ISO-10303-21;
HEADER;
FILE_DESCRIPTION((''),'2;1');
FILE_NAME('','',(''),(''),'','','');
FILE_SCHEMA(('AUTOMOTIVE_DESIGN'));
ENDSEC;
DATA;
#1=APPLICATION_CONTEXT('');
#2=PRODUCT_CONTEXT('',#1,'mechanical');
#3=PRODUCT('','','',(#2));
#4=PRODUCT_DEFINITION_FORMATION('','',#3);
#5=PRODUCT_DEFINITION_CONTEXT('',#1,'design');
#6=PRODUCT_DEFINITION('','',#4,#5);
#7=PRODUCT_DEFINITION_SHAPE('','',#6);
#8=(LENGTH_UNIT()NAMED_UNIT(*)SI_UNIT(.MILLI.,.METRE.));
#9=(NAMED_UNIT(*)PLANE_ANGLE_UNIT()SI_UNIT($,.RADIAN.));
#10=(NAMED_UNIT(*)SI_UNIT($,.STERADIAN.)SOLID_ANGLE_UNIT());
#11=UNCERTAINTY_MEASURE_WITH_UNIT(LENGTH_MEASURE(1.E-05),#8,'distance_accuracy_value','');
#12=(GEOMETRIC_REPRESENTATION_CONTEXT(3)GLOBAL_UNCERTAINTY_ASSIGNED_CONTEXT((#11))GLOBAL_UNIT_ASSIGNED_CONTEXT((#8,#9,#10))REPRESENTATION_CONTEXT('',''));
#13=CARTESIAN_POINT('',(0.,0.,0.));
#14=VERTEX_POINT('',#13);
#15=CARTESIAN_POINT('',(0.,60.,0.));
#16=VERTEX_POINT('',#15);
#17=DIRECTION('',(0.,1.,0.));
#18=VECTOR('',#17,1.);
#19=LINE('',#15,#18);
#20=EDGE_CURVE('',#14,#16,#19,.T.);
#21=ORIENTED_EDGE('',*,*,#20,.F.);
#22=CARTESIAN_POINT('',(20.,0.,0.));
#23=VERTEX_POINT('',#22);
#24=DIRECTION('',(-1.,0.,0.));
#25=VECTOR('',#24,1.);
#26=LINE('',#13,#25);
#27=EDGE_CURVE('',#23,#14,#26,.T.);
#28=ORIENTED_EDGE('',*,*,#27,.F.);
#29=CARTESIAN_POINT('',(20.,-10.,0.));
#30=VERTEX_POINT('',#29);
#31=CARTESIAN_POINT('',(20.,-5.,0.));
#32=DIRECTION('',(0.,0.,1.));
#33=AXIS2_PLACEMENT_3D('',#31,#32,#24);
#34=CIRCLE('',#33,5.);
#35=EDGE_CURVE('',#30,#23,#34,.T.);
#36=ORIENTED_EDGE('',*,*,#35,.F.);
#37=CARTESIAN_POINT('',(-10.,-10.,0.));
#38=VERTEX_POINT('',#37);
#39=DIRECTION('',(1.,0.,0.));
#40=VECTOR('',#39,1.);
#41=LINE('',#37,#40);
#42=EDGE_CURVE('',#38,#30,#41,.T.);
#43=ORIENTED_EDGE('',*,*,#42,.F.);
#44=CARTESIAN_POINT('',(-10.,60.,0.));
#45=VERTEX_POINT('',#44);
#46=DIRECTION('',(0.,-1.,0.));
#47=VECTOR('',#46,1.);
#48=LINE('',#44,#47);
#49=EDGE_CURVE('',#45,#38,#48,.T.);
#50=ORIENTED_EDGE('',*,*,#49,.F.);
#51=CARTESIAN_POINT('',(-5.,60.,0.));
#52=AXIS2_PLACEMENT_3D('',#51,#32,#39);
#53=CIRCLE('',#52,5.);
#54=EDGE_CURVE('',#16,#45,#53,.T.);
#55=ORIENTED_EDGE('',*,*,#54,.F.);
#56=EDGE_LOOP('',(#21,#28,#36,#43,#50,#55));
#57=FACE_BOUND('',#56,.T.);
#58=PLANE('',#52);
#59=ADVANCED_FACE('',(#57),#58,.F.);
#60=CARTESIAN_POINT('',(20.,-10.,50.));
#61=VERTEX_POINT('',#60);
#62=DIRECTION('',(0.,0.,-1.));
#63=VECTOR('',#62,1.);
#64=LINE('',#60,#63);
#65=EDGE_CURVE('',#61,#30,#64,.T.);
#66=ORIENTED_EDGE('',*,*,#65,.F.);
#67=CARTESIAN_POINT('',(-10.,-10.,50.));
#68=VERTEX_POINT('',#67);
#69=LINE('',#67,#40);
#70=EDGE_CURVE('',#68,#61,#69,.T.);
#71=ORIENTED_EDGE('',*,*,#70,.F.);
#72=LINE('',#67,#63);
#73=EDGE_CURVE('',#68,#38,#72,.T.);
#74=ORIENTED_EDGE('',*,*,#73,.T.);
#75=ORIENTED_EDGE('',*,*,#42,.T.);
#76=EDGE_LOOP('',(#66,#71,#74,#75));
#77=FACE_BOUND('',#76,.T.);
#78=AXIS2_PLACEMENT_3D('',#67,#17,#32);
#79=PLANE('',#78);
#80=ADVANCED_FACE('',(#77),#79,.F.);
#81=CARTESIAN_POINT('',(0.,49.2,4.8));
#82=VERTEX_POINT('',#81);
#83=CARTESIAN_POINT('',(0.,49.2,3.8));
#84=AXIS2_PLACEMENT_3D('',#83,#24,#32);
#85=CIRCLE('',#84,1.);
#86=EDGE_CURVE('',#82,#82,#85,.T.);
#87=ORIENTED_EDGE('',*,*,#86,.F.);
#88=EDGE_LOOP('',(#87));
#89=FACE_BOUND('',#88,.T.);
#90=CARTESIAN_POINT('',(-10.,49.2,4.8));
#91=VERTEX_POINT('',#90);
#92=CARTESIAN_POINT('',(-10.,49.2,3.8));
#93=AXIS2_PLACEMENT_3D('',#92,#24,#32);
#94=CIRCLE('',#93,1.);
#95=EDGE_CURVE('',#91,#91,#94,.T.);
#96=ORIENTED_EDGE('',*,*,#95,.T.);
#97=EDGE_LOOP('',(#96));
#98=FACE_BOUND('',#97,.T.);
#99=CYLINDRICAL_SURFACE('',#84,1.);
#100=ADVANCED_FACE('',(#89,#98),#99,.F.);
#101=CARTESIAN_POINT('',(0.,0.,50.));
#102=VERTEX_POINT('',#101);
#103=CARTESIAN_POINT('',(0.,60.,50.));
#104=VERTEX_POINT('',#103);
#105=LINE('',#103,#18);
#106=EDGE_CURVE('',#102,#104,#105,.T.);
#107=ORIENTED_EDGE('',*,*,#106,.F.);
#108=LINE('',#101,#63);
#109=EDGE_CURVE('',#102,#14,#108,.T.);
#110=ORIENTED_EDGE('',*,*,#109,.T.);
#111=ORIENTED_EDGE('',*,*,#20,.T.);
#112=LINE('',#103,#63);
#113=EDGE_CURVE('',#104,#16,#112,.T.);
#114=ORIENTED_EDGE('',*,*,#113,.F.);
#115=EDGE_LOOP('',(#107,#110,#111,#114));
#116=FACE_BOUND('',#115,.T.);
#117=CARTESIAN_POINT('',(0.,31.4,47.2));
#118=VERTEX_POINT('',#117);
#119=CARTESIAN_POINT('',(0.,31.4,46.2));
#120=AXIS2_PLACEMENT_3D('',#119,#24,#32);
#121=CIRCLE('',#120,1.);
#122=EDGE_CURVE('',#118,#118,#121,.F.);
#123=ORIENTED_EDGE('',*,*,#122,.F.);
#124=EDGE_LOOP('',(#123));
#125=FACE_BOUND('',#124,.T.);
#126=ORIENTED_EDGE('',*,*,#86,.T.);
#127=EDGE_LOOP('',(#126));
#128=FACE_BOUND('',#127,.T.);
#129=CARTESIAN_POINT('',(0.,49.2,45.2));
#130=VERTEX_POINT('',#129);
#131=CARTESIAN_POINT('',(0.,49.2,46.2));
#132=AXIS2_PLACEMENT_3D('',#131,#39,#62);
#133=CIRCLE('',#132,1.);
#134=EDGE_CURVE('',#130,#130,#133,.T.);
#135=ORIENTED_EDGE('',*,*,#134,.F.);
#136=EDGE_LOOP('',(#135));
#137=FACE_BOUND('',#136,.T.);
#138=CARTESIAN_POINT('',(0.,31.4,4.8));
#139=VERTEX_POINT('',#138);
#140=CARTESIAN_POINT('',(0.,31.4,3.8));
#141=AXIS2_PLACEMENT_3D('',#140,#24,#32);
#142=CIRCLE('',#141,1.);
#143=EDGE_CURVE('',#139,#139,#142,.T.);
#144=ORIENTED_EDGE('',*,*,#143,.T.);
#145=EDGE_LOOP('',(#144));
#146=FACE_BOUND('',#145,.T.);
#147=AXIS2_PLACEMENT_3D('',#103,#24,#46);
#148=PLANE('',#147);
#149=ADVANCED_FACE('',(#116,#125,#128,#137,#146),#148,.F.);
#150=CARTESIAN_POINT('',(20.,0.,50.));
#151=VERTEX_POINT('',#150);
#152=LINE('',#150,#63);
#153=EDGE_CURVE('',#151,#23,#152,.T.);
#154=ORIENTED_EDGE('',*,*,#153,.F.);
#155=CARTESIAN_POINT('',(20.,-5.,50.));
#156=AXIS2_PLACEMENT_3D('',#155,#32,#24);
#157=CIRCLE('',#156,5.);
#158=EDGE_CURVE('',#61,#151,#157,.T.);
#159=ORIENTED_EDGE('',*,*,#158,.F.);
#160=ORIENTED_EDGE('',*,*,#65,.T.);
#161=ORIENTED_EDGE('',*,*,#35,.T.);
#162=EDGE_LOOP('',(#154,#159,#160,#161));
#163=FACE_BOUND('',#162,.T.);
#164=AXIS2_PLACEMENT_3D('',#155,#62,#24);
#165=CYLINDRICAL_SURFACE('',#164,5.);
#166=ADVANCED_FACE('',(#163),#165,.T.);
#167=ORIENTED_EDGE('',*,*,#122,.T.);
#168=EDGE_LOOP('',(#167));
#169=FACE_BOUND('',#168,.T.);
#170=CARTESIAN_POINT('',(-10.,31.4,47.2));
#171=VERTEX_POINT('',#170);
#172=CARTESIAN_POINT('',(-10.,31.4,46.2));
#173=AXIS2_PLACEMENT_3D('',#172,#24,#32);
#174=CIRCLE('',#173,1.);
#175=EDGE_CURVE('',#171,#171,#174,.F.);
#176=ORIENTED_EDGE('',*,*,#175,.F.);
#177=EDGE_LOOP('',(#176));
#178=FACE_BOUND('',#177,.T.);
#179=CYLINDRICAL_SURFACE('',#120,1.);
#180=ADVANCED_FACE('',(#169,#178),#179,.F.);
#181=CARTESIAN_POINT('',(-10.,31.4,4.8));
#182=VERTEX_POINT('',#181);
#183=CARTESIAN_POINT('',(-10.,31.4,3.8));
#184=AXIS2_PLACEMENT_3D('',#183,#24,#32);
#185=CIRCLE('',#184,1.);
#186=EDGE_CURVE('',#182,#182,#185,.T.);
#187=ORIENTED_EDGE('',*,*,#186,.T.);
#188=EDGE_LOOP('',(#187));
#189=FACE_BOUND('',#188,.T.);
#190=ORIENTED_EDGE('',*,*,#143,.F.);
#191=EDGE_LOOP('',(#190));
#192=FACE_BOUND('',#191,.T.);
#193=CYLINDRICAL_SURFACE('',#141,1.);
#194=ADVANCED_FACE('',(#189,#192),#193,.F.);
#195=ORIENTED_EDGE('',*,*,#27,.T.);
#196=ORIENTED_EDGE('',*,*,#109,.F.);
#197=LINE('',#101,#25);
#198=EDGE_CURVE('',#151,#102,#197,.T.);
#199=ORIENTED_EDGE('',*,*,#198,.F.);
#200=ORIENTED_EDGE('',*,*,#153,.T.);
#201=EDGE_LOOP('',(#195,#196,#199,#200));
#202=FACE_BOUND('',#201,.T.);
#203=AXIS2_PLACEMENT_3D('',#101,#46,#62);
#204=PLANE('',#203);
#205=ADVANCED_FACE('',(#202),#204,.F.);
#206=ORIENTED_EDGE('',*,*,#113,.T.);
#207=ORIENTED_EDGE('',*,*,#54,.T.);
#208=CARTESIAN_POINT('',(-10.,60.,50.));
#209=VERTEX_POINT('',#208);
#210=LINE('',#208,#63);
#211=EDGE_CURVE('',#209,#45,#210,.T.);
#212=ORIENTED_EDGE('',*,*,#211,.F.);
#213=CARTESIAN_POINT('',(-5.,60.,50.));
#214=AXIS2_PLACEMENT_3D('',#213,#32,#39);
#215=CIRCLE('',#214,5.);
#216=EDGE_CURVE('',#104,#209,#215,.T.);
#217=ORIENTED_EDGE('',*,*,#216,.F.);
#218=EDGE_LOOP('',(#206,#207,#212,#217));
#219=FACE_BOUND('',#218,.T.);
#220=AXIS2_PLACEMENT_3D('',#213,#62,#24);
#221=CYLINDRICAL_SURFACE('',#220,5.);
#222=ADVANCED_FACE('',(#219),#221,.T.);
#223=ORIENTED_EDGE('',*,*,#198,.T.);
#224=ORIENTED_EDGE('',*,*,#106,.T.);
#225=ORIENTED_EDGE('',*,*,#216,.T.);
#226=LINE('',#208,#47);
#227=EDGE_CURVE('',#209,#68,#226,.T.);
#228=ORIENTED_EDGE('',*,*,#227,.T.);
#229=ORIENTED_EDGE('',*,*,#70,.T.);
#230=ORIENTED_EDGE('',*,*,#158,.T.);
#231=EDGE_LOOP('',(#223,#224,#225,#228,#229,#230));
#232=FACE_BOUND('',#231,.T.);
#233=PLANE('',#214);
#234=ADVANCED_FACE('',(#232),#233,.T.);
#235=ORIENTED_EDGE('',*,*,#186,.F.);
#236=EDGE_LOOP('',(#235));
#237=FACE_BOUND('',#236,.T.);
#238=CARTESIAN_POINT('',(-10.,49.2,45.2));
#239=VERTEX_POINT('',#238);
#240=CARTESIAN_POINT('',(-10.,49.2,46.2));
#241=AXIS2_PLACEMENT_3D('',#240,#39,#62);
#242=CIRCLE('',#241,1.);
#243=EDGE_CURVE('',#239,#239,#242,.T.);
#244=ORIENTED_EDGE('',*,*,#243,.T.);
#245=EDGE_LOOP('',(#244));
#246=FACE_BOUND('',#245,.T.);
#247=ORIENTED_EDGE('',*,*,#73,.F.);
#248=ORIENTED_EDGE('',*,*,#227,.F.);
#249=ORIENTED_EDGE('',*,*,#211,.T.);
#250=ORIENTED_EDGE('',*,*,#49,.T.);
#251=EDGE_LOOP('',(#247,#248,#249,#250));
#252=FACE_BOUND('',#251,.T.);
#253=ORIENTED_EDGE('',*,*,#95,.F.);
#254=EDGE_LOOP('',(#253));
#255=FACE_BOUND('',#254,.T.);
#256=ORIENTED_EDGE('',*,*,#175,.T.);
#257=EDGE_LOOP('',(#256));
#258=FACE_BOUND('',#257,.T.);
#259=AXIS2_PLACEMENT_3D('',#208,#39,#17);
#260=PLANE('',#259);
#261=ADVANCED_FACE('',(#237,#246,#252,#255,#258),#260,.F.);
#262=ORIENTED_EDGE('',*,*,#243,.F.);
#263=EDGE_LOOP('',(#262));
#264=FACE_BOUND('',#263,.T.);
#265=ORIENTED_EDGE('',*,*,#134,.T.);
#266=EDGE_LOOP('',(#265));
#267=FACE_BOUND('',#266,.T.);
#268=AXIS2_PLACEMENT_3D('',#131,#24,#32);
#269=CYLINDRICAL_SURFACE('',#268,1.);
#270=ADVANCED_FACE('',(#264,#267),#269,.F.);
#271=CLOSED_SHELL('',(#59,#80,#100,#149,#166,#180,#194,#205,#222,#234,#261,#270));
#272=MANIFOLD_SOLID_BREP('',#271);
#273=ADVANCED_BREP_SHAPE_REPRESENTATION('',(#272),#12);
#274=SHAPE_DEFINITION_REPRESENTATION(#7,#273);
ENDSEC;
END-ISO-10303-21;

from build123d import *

# Parameters (mm, degrees)
BOSS_EXTRUDE1_DEPTH = 50
SKETCH2_R           = 1
CUT_EXTRUDE1_DEPTH  = 10


with BuildPart() as part:
    # Sketch1 → Boss-Extrude1 (new body)
    with BuildSketch(Plane.XY):
        with BuildLine():
            Line((0, 60), (0, 0))
            Line((0, 0), (20, 0))
            ThreePointArc((20, 0), (25, -5), (20, -10))
            Line((20, -10), (-10, -10))
            Line((-10, -10), (-10, 60))
            ThreePointArc((-10, 60), (-5, 65), (0, 60))
        make_face()
    extrude(amount=BOSS_EXTRUDE1_DEPTH)

    # Sketch2 → Cut-Extrude1 (cut)
    with BuildSketch(Plane.ZY.offset(10)):
        with Locations((3.8, 31.4)):
            Circle(SKETCH2_R)
        with Locations((3.8, 49.2)):
            Circle(SKETCH2_R)
        with Locations((46.2, 31.4)):
            Circle(SKETCH2_R)
        with Locations((46.2, 49.2)):
            Circle(SKETCH2_R)
    extrude(amount=-CUT_EXTRUDE1_DEPTH, mode=Mode.SUBTRACT)


solid = part.part
